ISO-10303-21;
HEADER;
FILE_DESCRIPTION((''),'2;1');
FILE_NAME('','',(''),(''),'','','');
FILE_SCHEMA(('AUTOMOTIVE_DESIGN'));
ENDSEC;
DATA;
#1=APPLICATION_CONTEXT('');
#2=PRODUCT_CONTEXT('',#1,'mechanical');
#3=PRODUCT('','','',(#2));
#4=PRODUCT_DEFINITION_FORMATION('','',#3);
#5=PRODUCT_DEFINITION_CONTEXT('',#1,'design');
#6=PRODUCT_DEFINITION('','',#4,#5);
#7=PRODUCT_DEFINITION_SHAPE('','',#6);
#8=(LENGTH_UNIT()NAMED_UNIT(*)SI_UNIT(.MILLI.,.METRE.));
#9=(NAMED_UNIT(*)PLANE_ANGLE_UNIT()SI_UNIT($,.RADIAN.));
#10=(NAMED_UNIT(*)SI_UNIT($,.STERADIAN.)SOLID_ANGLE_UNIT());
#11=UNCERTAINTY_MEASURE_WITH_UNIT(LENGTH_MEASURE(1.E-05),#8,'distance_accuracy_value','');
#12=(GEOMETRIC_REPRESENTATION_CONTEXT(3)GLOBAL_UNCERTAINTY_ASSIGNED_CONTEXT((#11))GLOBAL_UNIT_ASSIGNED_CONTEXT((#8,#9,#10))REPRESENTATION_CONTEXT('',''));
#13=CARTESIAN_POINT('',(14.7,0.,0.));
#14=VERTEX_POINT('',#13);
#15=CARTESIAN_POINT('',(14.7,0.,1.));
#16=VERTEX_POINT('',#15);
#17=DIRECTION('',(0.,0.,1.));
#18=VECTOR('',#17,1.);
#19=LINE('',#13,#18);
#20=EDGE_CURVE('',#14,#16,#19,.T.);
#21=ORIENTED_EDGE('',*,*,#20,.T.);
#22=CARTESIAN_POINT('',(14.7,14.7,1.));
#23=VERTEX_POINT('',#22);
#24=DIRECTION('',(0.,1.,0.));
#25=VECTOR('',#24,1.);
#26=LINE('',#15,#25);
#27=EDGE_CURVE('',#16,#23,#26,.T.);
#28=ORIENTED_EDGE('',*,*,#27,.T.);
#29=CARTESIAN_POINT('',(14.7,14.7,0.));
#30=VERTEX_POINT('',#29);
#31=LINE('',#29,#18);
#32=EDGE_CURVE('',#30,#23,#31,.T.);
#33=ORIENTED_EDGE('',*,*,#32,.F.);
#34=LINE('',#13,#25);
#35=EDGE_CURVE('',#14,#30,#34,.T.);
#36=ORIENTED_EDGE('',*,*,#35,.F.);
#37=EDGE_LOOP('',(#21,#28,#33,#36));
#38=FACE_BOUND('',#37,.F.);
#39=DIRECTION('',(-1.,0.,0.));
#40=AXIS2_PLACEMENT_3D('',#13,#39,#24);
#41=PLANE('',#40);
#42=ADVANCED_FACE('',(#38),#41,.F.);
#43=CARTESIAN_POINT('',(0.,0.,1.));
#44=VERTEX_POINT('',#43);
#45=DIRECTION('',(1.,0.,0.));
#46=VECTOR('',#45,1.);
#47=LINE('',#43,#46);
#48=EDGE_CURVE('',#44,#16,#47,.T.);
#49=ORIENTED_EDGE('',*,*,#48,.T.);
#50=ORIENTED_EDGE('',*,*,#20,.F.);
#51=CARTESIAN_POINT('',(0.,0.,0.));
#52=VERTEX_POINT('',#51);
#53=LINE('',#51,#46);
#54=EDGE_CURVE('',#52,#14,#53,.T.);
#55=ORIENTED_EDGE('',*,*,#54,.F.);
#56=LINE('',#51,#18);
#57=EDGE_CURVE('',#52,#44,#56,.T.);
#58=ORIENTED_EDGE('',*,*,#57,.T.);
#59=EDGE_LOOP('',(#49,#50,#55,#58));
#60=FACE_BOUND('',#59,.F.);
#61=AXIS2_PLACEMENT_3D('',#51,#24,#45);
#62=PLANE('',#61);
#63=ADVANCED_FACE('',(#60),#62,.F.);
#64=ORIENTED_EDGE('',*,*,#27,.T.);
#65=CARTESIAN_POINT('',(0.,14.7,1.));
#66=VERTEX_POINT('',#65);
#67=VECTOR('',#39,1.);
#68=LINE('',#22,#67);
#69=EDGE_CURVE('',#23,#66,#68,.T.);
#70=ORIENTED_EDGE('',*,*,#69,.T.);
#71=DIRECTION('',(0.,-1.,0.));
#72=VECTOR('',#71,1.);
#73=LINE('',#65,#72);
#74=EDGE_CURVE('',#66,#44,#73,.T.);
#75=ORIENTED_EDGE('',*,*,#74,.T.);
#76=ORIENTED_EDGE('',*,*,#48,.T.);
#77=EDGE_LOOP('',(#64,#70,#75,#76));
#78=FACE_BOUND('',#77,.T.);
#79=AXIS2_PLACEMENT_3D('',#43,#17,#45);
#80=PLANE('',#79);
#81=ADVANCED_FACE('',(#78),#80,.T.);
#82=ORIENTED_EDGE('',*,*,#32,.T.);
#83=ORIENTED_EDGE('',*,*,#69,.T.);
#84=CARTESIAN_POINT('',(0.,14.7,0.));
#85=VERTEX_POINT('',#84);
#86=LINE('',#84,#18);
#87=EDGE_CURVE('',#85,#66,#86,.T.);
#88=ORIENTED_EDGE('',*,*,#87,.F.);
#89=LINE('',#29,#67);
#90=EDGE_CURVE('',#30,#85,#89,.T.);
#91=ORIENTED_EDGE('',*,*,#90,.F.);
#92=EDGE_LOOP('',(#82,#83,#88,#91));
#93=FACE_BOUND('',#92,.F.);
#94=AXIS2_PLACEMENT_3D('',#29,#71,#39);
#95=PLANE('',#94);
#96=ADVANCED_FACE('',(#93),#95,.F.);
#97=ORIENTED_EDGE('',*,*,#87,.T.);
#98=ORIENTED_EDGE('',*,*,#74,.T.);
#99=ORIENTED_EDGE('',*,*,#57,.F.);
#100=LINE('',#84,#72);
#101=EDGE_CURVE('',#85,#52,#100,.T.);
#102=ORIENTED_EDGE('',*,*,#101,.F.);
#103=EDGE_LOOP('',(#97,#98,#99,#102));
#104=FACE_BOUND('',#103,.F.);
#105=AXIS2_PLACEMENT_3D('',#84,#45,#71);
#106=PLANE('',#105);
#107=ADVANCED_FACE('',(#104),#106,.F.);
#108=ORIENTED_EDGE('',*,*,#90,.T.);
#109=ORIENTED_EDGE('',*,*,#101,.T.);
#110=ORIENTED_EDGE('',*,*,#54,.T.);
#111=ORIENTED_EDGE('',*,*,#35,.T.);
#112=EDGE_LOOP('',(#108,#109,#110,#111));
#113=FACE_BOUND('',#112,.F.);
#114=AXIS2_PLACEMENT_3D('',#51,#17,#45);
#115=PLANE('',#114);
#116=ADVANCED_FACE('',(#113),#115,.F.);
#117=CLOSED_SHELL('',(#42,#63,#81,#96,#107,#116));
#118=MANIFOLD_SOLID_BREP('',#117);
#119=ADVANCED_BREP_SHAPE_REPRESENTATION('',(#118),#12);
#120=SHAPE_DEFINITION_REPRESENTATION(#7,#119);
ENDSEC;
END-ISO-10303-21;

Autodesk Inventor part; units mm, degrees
ref_plane "YZ Plane" through (0, 0, 0) normal (1, 0, 0) x (0, 1, 0)
ref_plane "XZ Plane" through (0, 0, 0) normal (0, 1, 0) x (-1, 0, 0)
ref_plane "XY Plane" through (0, 0, 0) normal (0, 0, 1) x (1, 0, 0)
sketch "Sketch1" plane through (0, 0, 0) normal (0, 0, 1) x (1, 0, 0)
  line L0 (0, 0) -> (14.7, 0)
  line L1 (14.7, 0) -> (14.7, 14.7)
  line L2 (14.7, 14.7) -> (0, 14.7)
  line L3 (0, 14.7) -> (0, 0)
  dimension "d0" = 14.7
  dimension "d1" = 14.7
extrude "Extrusion1" add sketch "Sketch1" along normal blind 1
properties part number "Achterplaat"
